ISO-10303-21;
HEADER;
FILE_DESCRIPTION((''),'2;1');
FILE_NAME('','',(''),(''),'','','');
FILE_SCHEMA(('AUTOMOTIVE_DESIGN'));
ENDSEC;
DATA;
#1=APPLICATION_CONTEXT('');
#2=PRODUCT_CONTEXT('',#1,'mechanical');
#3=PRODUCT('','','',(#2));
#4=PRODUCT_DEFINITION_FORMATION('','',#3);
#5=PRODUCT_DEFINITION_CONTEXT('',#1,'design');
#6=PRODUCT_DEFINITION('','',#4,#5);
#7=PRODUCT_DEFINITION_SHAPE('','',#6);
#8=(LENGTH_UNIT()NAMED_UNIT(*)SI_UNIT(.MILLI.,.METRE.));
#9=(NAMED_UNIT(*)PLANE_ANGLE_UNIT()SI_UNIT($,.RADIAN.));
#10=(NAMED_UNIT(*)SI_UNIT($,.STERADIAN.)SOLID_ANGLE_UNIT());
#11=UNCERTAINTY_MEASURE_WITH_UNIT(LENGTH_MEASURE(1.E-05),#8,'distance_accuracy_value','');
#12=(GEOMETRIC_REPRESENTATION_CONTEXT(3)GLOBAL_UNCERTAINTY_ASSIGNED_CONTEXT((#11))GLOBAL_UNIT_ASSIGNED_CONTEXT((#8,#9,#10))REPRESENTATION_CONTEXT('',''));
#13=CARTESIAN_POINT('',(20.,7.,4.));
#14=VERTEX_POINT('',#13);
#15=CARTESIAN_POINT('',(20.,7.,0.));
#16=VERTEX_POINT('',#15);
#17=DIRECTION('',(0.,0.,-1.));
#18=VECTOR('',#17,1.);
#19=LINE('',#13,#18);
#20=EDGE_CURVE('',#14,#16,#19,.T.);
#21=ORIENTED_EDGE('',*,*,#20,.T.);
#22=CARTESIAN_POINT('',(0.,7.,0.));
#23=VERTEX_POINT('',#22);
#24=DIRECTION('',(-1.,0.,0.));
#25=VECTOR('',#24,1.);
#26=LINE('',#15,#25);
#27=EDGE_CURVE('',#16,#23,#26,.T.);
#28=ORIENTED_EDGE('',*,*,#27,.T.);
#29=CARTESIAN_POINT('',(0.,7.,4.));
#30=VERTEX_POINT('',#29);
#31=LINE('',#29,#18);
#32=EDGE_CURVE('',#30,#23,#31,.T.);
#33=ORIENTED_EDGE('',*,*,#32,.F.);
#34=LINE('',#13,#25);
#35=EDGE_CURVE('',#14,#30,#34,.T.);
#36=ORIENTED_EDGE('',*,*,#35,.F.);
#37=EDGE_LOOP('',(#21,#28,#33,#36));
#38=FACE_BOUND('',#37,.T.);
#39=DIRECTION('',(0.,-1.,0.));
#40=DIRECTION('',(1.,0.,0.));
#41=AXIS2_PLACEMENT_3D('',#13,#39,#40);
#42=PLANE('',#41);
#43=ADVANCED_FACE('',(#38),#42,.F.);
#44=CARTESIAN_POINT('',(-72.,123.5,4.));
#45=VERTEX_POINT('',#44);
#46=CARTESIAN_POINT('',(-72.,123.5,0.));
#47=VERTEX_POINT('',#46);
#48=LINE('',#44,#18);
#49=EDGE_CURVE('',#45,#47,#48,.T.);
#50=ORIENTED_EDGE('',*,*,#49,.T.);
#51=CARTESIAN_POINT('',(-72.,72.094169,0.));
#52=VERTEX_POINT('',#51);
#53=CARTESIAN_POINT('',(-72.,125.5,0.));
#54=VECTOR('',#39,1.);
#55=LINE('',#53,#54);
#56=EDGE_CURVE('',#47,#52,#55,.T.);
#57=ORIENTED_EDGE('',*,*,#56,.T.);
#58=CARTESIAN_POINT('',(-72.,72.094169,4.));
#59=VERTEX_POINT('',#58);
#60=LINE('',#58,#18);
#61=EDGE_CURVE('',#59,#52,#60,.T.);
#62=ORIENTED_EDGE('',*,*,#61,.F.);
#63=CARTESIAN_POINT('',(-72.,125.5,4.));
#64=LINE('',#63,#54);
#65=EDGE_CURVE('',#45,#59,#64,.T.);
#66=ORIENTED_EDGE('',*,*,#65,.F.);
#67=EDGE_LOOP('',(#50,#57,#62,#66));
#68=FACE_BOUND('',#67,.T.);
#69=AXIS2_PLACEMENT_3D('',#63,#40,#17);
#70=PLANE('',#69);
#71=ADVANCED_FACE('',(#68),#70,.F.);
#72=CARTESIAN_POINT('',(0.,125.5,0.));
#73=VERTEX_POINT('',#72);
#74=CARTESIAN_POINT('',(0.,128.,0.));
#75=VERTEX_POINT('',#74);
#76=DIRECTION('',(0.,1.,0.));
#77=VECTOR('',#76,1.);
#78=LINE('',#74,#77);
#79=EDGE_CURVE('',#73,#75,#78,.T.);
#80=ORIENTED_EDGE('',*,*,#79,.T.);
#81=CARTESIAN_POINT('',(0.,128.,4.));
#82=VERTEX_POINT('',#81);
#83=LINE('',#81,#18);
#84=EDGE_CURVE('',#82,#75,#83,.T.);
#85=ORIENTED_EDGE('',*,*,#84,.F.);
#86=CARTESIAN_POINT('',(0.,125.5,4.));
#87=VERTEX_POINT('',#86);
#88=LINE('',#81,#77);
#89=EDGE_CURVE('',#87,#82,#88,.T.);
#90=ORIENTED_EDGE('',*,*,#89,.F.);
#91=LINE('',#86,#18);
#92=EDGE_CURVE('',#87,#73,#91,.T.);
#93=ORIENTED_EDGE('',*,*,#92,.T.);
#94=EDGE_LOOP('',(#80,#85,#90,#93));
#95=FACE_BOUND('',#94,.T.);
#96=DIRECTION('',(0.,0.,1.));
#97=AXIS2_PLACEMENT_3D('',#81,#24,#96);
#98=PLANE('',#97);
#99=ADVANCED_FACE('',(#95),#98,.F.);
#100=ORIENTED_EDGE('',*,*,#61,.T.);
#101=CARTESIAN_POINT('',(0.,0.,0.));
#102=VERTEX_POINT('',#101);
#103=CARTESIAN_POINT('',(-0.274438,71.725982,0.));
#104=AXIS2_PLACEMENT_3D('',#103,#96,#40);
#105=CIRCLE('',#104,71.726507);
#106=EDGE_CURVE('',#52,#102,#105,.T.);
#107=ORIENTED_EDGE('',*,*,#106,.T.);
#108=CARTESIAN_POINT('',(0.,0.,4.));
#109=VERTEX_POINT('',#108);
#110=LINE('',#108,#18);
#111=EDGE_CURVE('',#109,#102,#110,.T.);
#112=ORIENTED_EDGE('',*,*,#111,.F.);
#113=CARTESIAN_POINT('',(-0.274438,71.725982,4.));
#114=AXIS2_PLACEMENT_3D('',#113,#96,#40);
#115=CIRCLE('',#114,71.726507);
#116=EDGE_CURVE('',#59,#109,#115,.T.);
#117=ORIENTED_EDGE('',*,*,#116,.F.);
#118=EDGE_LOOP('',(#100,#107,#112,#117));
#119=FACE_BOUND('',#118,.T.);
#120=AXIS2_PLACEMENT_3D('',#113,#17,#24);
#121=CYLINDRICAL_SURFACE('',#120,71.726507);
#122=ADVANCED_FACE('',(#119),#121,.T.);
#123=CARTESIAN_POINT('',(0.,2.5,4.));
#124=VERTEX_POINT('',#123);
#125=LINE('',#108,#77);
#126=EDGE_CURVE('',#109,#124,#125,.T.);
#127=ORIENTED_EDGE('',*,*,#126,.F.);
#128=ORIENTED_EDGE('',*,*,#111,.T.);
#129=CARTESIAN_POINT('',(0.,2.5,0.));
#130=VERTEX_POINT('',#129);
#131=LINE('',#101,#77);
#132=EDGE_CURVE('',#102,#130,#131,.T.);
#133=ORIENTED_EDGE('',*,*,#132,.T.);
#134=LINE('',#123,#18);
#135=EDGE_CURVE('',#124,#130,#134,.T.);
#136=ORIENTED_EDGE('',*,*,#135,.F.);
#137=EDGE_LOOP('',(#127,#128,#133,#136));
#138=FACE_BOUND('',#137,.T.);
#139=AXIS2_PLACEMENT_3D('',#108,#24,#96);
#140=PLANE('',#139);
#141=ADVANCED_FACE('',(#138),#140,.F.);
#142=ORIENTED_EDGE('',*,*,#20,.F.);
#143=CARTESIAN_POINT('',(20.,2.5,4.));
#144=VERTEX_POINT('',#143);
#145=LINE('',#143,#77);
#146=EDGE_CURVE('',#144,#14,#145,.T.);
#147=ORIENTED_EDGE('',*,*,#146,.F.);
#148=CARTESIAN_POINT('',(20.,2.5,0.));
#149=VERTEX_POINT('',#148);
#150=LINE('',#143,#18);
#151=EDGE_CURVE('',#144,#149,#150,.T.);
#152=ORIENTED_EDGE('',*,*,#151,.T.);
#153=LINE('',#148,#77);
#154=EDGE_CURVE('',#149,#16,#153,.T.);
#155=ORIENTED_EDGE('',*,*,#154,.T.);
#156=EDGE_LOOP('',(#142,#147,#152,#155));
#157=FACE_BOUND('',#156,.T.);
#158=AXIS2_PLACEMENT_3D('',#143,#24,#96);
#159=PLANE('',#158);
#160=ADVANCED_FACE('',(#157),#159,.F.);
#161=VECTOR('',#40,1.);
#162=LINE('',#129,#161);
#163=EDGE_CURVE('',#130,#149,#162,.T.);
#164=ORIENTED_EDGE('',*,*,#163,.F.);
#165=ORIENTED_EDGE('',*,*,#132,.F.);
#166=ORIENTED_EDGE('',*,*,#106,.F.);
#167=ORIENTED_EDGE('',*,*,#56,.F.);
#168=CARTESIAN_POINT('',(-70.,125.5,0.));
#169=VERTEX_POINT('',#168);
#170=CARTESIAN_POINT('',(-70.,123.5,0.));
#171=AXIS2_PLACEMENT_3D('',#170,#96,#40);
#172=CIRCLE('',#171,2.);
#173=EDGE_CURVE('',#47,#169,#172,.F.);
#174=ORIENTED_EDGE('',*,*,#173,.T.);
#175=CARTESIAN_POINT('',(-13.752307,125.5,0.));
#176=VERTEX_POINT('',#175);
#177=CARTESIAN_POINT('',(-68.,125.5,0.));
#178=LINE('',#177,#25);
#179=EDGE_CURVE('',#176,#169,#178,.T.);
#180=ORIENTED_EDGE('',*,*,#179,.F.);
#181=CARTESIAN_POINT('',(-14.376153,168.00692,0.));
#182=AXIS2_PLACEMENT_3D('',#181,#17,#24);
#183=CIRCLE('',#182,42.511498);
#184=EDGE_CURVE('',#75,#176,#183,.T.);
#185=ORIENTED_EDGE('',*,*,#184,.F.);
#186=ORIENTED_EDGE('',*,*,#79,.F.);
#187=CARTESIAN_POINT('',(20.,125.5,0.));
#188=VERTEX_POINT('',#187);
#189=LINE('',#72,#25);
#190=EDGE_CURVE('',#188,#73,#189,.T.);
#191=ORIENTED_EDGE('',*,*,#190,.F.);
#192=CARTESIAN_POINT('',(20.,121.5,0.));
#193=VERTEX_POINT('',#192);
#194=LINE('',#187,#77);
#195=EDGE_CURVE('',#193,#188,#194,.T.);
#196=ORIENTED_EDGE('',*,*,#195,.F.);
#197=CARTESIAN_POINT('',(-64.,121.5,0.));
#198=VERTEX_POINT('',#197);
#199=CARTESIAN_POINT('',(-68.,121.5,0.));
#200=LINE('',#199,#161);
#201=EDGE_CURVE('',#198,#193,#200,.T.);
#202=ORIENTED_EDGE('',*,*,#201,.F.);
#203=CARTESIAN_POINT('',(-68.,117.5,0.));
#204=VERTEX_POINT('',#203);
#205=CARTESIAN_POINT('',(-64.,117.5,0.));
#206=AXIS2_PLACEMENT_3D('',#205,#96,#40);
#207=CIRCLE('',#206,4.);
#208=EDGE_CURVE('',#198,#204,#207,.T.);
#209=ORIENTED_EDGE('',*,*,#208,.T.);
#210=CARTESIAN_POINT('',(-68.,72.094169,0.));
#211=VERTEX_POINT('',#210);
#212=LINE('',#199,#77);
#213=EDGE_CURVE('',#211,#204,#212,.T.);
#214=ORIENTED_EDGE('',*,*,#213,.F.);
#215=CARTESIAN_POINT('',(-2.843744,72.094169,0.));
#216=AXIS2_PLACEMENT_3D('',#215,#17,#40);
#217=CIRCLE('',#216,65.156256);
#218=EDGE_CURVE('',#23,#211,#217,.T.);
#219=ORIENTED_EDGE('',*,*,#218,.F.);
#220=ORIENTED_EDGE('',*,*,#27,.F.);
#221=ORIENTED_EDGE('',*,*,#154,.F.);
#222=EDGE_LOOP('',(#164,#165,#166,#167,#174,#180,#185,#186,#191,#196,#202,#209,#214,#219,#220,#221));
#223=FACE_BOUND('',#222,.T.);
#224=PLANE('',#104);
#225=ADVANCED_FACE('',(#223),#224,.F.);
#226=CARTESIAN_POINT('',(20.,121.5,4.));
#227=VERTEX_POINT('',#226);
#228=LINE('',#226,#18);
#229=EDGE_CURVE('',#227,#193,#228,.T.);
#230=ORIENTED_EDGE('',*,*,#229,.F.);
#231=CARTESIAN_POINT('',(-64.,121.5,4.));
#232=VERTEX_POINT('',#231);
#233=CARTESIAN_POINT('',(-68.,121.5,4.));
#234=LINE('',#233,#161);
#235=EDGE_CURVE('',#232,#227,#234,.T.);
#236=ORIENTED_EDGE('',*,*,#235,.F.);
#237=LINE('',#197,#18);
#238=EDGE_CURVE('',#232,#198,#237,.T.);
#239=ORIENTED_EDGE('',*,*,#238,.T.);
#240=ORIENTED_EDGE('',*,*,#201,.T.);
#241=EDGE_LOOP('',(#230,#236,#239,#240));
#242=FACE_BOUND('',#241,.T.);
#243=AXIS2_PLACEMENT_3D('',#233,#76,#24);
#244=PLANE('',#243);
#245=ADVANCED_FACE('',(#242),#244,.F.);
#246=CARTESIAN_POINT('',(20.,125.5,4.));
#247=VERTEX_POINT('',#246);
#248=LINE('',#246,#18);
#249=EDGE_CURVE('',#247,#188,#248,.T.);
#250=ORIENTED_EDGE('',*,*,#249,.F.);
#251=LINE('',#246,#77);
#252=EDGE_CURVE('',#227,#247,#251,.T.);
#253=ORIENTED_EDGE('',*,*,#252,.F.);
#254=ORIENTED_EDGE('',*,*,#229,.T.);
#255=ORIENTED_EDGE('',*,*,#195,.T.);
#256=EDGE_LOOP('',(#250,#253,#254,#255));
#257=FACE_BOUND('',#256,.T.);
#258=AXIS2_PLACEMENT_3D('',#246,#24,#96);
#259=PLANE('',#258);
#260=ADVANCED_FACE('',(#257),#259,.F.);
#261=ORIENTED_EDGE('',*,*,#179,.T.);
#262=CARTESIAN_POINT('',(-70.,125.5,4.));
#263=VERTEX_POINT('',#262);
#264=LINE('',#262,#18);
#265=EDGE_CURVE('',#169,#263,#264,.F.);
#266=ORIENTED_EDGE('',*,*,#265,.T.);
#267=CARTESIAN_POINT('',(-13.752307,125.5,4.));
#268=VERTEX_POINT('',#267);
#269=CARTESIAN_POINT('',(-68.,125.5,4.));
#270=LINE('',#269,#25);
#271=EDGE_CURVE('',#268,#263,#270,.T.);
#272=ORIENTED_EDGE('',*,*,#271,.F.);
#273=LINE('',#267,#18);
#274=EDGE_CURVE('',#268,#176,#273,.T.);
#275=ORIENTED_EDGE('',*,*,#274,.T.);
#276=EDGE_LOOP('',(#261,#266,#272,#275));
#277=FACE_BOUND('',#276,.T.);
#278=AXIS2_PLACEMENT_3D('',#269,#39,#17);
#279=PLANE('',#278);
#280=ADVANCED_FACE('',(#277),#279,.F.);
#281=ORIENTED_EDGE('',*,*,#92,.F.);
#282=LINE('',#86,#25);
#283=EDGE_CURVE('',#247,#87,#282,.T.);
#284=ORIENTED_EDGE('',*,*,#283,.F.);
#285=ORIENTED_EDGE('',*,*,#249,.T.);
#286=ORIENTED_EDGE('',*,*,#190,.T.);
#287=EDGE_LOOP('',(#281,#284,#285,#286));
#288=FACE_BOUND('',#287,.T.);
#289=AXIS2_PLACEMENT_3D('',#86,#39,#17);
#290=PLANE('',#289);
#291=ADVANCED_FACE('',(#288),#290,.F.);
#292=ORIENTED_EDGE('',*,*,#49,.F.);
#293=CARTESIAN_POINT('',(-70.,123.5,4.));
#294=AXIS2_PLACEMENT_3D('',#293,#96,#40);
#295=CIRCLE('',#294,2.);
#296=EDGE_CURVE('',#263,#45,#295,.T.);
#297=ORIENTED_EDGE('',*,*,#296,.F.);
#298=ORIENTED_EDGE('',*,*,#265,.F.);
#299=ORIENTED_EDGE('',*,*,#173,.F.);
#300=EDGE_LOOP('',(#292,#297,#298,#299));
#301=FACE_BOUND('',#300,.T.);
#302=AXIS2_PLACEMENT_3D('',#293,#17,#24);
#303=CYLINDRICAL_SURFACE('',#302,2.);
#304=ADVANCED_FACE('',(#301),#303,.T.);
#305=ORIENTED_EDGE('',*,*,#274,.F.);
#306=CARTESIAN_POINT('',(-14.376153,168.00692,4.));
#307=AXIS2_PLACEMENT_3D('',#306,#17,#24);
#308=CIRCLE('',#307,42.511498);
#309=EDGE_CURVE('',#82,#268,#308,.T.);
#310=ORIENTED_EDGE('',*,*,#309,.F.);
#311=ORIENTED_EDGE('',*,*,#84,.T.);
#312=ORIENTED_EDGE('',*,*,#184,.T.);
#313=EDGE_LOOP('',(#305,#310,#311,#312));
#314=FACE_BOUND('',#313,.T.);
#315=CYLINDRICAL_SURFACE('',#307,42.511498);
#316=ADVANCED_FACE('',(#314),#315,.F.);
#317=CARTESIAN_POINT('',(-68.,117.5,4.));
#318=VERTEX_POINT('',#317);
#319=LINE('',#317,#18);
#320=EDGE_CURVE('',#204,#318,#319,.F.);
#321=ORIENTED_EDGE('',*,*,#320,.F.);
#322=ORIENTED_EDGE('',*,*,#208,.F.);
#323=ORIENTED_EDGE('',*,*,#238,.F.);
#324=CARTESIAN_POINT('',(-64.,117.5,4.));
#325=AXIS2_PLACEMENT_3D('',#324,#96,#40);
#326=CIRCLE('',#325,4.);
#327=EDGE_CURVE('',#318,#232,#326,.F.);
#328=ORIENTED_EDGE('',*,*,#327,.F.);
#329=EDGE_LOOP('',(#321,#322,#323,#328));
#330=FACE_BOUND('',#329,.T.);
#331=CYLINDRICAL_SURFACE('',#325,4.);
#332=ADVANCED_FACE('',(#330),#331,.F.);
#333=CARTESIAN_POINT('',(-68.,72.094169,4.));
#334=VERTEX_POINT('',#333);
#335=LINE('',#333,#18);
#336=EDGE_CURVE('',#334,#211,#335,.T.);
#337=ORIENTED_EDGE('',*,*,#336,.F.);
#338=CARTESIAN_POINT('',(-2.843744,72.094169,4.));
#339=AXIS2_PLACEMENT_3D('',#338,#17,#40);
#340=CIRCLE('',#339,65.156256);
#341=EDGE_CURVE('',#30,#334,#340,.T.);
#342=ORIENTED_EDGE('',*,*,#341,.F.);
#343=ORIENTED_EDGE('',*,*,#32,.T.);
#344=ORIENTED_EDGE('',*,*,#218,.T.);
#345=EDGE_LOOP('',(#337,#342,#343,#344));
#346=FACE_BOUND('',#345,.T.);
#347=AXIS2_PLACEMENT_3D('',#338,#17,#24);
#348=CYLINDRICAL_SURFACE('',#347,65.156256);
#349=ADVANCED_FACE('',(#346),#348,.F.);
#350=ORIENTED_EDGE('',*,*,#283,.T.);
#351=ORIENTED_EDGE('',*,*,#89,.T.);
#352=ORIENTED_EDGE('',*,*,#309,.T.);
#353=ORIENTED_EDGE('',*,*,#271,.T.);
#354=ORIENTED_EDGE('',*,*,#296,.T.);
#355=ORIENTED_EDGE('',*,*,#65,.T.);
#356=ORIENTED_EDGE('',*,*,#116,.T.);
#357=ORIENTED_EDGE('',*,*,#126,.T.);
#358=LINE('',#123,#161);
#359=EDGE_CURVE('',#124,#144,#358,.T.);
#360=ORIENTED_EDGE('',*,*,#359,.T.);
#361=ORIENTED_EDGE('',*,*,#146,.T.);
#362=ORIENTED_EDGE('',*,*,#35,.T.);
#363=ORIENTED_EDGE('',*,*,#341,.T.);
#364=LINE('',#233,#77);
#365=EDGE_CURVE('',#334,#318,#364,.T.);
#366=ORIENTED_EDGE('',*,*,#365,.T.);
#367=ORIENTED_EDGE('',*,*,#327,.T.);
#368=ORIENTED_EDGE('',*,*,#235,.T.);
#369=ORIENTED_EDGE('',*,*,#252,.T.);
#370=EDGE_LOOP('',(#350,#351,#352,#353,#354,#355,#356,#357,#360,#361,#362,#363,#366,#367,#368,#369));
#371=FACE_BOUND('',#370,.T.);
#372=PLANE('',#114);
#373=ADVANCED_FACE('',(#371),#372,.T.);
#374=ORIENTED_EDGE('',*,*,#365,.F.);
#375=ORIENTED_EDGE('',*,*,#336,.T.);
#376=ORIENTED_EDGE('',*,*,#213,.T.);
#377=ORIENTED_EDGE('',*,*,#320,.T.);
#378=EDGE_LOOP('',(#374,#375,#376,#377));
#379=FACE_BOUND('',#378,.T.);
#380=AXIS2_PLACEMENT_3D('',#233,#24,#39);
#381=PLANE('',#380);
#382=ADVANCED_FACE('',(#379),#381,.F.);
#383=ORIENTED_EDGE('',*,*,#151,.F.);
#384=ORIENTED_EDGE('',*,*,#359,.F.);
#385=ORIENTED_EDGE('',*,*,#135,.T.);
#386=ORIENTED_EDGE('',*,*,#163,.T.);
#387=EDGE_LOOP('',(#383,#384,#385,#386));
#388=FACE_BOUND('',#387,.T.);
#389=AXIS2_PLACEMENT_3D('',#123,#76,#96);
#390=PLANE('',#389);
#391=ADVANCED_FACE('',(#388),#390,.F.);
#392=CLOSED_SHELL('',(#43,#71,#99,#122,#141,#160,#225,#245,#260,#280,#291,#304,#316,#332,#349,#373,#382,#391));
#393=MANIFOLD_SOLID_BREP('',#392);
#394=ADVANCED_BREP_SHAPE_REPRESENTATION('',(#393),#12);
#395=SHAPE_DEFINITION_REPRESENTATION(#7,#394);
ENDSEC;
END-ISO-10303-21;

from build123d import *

# Parameters (mm, degrees)
BOSS_EXTRUDE1_DEPTH = 4
FILLET1_R           = 4
FILLET2_R           = 2


with BuildPart() as part:
    # Sketch1 → Boss-Extrude1 (new body)
    with BuildSketch(Plane.XY):
        with BuildLine():
            Line((0, 0), (0, 2.5))
            Line((0, 2.5), (20, 2.5))
            Line((20, 2.5), (20, 7))
            Line((20, 7), (0, 7))
            ThreePointArc((0, 7), (-47.899542657, 25.027060394), (-68, 72.09416895))
            Line((-68, 72.09416895), (-68, 121.5))
            Line((-68, 121.5), (20, 121.5))
            Line((20, 121.5), (20, 125.5))
            Line((20, 125.5), (0, 125.5))
            Line((0, 125.5), (0, 128))
            ThreePointArc((0, 128), (-6.772700236, 126.180912146), (-13.752306798, 125.5))
            Line((-13.752306798, 125.5), (-68, 125.5))
            Line((-68, 125.5), (-72, 125.5))
            Line((-72, 125.5), (-72, 72.09416895))
            ThreePointArc((-72, 72.09416895), (-51.025872308, 21.040838867), (0, 0))
        make_face()
    extrude(amount=BOSS_EXTRUDE1_DEPTH)

    # Fillet1
    fillet1_edges = [part.edges().sort_by_distance(p)[0] for p in [
        (-68, 121.5, 2),
    ]]
    fillet(fillet1_edges, radius=FILLET1_R)

    # Fillet2
    fillet2_edges = [part.edges().sort_by_distance(p)[0] for p in [
        (-72, 125.5, 2),
    ]]
    fillet(fillet2_edges, radius=FILLET2_R)


solid = part.part
